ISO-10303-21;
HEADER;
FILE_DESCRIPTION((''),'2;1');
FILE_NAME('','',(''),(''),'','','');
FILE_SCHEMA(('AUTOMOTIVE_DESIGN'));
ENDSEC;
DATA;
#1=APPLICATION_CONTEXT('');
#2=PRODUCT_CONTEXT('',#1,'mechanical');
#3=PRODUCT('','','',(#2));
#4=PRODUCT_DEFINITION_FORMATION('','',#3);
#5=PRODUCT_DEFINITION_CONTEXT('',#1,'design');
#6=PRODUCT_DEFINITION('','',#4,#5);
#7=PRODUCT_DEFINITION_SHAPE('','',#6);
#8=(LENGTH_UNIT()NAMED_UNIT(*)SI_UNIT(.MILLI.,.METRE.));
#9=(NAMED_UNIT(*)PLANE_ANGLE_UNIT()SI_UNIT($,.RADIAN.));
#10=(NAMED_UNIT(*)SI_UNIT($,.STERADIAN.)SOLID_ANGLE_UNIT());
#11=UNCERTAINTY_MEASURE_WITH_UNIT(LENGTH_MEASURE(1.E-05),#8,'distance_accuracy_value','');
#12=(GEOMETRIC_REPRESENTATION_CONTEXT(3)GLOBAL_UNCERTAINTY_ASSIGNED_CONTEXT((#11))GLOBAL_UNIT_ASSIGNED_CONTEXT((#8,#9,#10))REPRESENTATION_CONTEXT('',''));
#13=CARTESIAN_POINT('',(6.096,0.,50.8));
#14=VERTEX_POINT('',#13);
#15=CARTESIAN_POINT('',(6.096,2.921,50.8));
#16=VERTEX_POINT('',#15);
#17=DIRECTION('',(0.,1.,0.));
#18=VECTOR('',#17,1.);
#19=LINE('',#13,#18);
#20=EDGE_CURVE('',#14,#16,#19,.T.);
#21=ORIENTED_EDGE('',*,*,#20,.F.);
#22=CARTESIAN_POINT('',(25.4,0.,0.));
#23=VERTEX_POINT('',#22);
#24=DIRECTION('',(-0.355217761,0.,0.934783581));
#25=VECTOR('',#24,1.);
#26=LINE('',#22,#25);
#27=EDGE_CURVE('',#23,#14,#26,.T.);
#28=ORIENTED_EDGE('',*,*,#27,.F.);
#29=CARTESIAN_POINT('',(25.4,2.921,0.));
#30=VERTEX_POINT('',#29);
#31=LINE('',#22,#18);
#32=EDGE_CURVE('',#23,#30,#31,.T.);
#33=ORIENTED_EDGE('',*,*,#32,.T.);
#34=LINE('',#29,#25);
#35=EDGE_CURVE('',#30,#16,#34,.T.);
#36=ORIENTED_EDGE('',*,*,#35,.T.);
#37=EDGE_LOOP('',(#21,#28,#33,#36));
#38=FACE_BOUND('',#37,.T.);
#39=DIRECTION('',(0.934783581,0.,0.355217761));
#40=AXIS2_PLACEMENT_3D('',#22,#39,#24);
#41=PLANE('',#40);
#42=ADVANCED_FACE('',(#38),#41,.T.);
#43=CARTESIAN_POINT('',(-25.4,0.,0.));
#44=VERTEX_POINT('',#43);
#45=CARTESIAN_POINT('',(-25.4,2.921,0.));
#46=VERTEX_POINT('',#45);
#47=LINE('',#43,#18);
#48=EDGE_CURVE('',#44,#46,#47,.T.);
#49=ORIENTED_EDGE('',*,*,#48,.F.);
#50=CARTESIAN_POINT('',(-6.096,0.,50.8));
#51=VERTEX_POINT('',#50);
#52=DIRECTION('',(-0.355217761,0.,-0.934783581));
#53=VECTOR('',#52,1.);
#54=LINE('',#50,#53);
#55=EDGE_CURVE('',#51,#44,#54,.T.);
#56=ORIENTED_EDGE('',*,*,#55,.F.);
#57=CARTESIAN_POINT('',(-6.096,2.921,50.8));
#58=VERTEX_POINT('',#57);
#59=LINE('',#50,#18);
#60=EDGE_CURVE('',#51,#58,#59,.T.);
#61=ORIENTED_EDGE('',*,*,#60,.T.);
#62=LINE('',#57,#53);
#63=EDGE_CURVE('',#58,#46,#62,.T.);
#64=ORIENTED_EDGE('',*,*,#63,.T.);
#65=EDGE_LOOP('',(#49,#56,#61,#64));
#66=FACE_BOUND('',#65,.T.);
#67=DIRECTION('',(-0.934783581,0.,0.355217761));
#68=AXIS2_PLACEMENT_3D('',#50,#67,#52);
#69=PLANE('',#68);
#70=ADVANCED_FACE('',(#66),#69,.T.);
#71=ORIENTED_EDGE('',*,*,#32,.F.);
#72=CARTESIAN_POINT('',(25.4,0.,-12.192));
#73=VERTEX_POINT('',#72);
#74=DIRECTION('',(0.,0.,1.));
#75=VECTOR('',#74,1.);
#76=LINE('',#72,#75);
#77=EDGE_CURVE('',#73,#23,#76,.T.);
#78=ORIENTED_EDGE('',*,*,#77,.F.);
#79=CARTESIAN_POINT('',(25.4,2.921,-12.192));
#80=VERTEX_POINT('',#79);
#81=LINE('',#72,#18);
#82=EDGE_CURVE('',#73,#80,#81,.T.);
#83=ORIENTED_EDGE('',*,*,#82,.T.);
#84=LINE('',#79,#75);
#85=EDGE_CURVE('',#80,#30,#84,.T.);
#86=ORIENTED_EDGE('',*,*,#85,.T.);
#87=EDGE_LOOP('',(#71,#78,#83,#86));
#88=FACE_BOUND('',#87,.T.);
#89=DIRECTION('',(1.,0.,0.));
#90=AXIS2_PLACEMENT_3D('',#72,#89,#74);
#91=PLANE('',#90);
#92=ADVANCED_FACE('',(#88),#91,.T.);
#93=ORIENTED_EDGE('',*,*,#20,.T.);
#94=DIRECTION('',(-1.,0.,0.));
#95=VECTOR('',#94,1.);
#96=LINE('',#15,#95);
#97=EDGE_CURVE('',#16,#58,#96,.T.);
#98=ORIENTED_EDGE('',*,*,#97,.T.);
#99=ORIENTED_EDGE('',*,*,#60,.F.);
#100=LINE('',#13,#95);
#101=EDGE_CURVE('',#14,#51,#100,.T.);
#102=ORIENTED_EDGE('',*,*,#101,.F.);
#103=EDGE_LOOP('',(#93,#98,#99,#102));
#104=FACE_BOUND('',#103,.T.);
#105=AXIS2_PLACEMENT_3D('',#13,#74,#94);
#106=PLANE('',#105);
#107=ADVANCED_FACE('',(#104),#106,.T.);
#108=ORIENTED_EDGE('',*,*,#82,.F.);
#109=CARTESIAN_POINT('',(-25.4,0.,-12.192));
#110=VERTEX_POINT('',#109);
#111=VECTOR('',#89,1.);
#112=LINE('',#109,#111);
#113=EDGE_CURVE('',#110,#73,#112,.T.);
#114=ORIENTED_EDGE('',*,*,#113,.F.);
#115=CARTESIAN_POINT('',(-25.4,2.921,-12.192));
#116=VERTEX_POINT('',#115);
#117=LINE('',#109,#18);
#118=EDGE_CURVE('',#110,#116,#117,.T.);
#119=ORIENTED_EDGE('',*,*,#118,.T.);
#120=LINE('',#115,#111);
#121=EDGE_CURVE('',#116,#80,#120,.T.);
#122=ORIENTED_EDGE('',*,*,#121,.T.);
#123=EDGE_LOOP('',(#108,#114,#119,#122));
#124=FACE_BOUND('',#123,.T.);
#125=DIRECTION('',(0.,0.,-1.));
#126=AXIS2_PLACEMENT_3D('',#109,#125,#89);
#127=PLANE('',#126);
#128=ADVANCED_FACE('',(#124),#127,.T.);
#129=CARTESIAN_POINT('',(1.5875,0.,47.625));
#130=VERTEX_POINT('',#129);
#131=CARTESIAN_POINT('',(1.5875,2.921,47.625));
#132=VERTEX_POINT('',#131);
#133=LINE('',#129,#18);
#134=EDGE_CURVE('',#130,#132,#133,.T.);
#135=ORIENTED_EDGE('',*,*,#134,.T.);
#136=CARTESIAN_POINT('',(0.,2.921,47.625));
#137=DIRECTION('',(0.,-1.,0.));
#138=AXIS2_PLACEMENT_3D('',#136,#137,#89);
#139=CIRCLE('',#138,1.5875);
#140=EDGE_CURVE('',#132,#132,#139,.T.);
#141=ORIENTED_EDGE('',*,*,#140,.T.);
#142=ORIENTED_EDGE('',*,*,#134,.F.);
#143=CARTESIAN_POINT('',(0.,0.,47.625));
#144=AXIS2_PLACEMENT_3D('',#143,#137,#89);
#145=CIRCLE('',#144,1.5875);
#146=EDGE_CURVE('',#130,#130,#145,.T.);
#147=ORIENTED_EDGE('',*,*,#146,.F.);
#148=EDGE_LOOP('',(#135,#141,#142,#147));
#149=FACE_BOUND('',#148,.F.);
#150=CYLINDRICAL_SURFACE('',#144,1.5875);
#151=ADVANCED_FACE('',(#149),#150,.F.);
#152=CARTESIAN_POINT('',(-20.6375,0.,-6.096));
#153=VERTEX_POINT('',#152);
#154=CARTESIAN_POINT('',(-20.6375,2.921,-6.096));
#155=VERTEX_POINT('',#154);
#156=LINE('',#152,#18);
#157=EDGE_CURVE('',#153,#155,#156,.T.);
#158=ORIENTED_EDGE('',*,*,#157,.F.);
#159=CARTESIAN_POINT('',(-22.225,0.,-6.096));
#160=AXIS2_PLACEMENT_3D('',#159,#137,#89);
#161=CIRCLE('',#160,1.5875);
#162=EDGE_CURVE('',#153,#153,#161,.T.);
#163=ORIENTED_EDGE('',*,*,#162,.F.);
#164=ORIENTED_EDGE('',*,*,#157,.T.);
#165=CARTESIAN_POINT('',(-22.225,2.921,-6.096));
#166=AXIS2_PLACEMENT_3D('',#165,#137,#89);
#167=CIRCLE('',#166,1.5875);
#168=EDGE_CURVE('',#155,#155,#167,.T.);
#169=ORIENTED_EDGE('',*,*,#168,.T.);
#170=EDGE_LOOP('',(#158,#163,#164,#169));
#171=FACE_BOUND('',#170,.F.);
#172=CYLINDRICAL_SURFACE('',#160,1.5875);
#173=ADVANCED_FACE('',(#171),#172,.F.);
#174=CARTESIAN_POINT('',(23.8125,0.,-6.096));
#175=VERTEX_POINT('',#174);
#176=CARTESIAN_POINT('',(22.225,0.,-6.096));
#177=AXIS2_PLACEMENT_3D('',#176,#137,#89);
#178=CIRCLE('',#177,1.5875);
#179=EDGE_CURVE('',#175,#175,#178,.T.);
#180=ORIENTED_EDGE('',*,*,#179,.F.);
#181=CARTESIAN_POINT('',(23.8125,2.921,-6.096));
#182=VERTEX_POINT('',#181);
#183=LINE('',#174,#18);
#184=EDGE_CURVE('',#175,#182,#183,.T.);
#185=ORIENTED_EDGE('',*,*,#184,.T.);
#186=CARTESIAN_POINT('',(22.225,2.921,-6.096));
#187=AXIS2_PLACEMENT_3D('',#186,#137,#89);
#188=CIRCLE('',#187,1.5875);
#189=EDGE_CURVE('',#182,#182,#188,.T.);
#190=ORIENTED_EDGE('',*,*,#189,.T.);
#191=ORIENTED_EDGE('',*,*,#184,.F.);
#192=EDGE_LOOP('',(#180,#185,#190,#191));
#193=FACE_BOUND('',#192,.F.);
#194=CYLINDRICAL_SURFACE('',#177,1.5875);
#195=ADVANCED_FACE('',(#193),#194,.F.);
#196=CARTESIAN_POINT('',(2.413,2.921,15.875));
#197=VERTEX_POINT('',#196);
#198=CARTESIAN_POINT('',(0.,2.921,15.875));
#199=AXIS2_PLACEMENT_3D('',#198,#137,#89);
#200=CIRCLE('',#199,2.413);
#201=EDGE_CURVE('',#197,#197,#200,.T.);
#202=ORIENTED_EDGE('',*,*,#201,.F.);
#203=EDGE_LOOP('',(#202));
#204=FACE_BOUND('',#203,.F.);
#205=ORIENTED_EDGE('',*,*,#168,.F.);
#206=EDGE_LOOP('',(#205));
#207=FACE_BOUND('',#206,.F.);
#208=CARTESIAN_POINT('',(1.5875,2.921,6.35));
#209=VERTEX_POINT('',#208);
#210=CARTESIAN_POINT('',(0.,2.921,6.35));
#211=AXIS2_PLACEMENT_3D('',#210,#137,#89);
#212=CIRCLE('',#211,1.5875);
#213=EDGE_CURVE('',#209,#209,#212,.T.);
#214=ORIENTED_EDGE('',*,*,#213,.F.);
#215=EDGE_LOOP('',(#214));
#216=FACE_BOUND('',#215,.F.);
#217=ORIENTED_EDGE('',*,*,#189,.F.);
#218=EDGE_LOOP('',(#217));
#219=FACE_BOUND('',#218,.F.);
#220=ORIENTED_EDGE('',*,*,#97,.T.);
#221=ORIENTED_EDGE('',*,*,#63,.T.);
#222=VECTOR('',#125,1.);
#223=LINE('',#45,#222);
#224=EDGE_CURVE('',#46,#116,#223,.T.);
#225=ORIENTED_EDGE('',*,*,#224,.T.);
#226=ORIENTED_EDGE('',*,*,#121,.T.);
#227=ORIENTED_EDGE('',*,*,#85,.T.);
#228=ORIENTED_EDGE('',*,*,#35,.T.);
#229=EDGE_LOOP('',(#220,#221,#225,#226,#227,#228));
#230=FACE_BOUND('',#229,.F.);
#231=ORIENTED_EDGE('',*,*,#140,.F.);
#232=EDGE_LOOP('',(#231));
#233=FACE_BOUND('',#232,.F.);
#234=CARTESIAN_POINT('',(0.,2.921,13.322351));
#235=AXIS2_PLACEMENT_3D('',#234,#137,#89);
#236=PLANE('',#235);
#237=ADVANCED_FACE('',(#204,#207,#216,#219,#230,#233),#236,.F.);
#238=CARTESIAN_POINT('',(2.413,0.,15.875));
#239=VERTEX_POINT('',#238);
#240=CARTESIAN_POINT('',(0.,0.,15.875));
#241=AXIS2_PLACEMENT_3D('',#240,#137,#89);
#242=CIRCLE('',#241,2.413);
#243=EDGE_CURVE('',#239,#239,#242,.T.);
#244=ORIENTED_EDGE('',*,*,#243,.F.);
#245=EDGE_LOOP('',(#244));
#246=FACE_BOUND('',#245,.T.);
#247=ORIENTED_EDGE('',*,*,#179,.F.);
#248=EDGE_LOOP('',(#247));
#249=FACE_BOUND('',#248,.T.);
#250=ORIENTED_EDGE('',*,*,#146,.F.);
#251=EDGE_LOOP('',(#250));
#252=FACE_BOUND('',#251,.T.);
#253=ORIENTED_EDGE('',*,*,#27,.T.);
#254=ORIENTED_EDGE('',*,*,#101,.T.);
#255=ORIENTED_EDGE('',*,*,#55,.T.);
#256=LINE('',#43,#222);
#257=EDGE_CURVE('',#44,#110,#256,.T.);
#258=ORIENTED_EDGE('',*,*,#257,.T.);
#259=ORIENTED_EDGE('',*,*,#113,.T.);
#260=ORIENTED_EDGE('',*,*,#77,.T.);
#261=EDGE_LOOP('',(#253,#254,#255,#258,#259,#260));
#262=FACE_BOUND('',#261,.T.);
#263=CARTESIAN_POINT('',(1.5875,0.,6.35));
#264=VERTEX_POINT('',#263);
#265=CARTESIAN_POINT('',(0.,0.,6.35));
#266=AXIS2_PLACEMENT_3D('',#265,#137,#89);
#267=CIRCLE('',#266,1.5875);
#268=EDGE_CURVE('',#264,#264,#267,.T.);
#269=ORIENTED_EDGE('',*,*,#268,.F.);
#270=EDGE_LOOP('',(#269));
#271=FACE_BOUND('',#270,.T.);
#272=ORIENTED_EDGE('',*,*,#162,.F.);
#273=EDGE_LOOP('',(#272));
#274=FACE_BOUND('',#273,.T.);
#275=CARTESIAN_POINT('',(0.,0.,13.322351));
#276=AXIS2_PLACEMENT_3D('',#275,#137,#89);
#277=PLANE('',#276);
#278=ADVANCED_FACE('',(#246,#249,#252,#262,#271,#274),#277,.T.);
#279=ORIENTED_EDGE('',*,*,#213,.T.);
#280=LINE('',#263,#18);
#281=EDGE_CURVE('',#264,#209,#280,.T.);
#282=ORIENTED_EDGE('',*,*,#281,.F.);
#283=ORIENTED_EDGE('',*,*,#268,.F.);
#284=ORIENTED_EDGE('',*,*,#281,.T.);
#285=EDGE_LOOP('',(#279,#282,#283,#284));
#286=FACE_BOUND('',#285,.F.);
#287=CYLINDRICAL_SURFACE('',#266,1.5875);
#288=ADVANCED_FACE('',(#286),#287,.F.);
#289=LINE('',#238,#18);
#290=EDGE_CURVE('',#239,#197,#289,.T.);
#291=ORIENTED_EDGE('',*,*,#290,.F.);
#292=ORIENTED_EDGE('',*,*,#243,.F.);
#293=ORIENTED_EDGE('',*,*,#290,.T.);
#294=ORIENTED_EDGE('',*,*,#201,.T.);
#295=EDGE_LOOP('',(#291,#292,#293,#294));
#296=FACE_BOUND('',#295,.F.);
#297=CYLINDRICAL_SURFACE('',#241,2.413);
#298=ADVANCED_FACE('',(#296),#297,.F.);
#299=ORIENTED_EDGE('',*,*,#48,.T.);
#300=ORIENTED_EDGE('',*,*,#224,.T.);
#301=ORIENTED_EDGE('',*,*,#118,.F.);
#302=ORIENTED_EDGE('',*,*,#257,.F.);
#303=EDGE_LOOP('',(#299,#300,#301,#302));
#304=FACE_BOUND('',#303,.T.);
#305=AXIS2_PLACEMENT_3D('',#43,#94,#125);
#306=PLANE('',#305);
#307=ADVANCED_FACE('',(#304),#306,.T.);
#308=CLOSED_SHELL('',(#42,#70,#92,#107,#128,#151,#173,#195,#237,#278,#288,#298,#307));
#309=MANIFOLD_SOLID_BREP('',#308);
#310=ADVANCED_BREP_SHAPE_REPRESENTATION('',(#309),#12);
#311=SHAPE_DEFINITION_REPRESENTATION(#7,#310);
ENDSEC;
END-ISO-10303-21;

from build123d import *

# Parameters (mm, degrees)
F0_R     = 1.5875
F0_R_2   = 2.413
F1_DEPTH = 2.921


with BuildPart() as f1:
    # F0 (on Front) → F1 (new body)
    with BuildSketch(Plane.XZ):
        Polygon((-6.096, 50.8), (-25.4, 0), (-25.4, -12.192), (25.4, -12.192), (25.4, 0), (6.096, 50.8), align=None)
        with Locations((-22.225, -6.096)):
            Circle(F0_R, mode=Mode.SUBTRACT)
        with Locations((0, 6.35)):
            Circle(F0_R, mode=Mode.SUBTRACT)
        with Locations((0, 15.875)):
            Circle(F0_R_2, mode=Mode.SUBTRACT)
        with Locations((22.225, -6.096)):
            Circle(F0_R, mode=Mode.SUBTRACT)
        with Locations((0, 47.625)):
            Circle(F0_R, mode=Mode.SUBTRACT)
    extrude(amount=-F1_DEPTH)


solid = f1.part
